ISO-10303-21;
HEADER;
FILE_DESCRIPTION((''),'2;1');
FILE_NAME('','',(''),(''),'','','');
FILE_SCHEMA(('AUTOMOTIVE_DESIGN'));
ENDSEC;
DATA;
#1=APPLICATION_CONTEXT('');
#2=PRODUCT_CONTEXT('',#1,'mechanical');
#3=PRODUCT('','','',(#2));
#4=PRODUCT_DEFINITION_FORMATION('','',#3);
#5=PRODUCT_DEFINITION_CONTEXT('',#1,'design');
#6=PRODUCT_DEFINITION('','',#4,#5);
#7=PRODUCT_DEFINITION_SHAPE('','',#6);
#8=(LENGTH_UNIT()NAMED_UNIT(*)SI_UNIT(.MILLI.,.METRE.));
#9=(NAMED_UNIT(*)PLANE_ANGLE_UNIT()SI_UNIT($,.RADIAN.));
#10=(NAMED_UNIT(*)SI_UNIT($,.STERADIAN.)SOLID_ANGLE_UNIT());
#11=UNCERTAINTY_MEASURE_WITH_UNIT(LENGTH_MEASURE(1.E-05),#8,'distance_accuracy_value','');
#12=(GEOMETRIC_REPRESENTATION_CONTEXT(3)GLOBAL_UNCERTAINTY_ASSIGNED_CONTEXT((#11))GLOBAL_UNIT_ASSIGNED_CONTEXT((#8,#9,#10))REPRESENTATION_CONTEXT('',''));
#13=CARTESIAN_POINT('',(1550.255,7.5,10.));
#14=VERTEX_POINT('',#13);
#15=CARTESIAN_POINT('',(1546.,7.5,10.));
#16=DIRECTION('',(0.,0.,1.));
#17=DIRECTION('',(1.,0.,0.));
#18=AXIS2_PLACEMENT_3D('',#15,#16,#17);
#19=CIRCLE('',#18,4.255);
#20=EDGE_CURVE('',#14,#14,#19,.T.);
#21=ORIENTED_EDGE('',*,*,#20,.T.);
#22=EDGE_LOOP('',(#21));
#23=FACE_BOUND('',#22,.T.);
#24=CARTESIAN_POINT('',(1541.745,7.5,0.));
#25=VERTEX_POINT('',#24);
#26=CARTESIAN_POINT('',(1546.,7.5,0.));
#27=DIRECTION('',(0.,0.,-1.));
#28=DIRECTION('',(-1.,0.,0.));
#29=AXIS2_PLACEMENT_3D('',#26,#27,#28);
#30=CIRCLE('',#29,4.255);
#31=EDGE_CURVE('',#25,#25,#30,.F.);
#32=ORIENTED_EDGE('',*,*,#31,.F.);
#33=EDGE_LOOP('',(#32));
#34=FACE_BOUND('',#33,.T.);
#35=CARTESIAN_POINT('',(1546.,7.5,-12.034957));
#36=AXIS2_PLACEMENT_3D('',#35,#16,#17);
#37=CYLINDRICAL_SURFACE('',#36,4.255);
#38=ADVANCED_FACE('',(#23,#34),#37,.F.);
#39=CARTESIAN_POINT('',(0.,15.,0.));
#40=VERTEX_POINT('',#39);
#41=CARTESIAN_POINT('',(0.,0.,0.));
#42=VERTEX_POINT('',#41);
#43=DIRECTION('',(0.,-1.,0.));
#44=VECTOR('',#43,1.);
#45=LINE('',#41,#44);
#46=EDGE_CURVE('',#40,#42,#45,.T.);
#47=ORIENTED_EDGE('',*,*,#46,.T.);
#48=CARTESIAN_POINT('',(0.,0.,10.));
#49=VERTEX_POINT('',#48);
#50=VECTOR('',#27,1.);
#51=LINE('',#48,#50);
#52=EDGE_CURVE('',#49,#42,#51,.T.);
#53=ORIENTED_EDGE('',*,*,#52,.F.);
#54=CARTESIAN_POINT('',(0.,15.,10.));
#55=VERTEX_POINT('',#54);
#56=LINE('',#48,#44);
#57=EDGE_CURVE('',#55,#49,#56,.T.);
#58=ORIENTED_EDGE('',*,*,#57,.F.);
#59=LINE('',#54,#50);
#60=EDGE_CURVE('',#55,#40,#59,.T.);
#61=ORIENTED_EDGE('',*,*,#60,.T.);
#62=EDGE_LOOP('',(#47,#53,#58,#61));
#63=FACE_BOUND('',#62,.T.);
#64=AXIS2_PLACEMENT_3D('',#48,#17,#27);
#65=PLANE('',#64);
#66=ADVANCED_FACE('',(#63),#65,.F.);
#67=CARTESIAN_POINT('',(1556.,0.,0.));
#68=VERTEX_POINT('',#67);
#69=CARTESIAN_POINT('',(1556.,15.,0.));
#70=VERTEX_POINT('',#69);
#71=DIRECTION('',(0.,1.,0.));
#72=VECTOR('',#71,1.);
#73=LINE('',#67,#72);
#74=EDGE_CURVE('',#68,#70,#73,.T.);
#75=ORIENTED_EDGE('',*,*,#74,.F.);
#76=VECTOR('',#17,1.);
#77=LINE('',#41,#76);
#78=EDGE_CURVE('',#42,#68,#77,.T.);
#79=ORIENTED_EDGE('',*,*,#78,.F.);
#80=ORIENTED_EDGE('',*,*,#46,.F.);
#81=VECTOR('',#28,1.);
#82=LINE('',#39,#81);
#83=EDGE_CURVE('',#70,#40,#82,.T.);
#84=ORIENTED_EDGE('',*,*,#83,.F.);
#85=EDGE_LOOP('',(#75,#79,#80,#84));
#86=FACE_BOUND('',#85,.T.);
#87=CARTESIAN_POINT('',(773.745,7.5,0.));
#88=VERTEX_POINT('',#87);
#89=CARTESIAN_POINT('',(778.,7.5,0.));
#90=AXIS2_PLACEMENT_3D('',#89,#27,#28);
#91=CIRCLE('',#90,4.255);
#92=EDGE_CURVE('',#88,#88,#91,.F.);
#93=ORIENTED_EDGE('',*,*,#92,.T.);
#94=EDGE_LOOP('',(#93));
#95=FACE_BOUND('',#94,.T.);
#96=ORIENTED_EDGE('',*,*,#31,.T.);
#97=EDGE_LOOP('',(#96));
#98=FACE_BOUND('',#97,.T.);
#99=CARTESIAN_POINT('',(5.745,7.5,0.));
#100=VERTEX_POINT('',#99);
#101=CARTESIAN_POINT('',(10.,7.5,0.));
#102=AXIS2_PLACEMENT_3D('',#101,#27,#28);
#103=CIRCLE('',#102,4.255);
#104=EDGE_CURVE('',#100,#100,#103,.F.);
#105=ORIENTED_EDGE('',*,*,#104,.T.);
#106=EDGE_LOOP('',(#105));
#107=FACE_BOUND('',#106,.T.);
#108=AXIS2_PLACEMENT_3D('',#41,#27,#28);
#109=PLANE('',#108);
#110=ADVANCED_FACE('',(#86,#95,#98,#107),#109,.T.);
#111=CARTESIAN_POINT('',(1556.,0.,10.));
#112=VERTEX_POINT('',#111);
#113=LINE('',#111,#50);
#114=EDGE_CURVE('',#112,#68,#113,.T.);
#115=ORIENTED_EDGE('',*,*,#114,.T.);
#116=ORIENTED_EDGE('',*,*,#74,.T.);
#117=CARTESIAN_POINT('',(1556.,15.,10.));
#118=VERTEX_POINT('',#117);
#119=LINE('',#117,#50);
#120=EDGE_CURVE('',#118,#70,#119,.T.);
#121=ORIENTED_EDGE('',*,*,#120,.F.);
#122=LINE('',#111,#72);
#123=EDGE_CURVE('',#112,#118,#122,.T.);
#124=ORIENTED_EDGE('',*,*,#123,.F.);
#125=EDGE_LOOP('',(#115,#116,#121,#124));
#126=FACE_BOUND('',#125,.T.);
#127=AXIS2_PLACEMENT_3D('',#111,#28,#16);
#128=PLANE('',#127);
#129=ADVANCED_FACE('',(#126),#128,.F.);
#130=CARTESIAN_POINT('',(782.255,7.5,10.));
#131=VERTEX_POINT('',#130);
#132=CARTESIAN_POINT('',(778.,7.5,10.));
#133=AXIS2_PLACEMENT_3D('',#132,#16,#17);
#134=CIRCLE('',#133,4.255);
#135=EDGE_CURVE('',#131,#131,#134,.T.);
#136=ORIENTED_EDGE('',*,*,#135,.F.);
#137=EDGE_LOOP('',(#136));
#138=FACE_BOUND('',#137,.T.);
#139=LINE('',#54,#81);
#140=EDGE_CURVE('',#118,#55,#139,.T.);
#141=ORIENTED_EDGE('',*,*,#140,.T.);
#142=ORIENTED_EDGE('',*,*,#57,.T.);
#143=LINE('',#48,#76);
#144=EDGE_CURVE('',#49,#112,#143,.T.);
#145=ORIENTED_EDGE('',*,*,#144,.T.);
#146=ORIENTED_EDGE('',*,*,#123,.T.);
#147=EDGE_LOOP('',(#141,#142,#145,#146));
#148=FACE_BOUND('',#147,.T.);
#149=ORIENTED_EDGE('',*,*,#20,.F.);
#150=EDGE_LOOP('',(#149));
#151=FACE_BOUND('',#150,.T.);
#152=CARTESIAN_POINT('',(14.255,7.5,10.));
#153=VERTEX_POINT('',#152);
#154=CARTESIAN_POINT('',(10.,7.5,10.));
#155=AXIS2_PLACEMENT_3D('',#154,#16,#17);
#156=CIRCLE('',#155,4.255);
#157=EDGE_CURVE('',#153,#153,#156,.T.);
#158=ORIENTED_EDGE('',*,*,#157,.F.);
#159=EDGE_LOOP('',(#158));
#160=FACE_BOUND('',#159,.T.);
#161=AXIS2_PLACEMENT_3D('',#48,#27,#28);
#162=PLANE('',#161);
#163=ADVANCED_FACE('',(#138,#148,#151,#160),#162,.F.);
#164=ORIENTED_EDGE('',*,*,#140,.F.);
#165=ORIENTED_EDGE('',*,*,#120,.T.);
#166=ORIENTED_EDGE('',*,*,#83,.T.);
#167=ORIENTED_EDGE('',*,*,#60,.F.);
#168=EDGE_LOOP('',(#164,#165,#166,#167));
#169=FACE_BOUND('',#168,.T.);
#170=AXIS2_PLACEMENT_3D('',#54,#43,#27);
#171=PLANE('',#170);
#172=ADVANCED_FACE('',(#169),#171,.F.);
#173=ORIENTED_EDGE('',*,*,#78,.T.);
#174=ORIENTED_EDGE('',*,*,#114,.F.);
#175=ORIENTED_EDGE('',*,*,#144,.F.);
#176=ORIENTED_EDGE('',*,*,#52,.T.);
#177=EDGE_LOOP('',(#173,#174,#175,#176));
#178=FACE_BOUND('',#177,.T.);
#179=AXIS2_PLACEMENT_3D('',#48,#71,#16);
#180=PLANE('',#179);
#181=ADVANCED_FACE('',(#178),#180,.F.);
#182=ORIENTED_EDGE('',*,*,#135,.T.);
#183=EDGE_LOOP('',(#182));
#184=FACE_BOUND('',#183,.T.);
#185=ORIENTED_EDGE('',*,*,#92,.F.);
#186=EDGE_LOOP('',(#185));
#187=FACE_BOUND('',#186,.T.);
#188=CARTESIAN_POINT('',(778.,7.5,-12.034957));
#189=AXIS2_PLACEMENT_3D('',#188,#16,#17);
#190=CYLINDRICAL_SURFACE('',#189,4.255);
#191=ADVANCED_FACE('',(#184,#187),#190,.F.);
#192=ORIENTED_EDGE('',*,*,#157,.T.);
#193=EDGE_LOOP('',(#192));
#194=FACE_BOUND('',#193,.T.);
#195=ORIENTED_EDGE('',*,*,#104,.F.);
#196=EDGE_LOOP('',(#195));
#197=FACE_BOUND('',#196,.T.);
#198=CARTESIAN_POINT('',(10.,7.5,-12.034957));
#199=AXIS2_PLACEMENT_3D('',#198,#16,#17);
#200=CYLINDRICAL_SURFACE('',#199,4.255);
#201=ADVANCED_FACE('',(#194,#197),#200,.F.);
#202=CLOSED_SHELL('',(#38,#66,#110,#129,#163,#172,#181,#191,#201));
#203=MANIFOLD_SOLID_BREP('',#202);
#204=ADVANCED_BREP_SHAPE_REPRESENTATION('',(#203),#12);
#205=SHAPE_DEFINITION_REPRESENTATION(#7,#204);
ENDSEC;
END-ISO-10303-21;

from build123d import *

# Parameters (mm, degrees)
SKETCH1_W           = 1556
SKETCH1_H           = 15
BOSS_EXTRUDE1_DEPTH = 10
SKETCH2_R           = 4.255
CUT_EXTRUDE1_DEPTH  = 10


with BuildPart() as part:
    # Sketch1 → Boss-Extrude1 (new body)
    with BuildSketch(Plane.XY):
        with Locations((778, 7.5)):
            Rectangle(SKETCH1_W, SKETCH1_H)
    extrude(amount=BOSS_EXTRUDE1_DEPTH)

    # Sketch2 → Cut-Extrude1 (cut)
    with BuildSketch(Plane.XY.offset(10)):
        with Locations((10, 7.5)):
            Circle(SKETCH2_R)
        with Locations((1546, 7.5)):
            Circle(SKETCH2_R)
        with Locations((778, 7.5)):
            Circle(SKETCH2_R)
    extrude(amount=-CUT_EXTRUDE1_DEPTH, mode=Mode.SUBTRACT)


solid = part.part
